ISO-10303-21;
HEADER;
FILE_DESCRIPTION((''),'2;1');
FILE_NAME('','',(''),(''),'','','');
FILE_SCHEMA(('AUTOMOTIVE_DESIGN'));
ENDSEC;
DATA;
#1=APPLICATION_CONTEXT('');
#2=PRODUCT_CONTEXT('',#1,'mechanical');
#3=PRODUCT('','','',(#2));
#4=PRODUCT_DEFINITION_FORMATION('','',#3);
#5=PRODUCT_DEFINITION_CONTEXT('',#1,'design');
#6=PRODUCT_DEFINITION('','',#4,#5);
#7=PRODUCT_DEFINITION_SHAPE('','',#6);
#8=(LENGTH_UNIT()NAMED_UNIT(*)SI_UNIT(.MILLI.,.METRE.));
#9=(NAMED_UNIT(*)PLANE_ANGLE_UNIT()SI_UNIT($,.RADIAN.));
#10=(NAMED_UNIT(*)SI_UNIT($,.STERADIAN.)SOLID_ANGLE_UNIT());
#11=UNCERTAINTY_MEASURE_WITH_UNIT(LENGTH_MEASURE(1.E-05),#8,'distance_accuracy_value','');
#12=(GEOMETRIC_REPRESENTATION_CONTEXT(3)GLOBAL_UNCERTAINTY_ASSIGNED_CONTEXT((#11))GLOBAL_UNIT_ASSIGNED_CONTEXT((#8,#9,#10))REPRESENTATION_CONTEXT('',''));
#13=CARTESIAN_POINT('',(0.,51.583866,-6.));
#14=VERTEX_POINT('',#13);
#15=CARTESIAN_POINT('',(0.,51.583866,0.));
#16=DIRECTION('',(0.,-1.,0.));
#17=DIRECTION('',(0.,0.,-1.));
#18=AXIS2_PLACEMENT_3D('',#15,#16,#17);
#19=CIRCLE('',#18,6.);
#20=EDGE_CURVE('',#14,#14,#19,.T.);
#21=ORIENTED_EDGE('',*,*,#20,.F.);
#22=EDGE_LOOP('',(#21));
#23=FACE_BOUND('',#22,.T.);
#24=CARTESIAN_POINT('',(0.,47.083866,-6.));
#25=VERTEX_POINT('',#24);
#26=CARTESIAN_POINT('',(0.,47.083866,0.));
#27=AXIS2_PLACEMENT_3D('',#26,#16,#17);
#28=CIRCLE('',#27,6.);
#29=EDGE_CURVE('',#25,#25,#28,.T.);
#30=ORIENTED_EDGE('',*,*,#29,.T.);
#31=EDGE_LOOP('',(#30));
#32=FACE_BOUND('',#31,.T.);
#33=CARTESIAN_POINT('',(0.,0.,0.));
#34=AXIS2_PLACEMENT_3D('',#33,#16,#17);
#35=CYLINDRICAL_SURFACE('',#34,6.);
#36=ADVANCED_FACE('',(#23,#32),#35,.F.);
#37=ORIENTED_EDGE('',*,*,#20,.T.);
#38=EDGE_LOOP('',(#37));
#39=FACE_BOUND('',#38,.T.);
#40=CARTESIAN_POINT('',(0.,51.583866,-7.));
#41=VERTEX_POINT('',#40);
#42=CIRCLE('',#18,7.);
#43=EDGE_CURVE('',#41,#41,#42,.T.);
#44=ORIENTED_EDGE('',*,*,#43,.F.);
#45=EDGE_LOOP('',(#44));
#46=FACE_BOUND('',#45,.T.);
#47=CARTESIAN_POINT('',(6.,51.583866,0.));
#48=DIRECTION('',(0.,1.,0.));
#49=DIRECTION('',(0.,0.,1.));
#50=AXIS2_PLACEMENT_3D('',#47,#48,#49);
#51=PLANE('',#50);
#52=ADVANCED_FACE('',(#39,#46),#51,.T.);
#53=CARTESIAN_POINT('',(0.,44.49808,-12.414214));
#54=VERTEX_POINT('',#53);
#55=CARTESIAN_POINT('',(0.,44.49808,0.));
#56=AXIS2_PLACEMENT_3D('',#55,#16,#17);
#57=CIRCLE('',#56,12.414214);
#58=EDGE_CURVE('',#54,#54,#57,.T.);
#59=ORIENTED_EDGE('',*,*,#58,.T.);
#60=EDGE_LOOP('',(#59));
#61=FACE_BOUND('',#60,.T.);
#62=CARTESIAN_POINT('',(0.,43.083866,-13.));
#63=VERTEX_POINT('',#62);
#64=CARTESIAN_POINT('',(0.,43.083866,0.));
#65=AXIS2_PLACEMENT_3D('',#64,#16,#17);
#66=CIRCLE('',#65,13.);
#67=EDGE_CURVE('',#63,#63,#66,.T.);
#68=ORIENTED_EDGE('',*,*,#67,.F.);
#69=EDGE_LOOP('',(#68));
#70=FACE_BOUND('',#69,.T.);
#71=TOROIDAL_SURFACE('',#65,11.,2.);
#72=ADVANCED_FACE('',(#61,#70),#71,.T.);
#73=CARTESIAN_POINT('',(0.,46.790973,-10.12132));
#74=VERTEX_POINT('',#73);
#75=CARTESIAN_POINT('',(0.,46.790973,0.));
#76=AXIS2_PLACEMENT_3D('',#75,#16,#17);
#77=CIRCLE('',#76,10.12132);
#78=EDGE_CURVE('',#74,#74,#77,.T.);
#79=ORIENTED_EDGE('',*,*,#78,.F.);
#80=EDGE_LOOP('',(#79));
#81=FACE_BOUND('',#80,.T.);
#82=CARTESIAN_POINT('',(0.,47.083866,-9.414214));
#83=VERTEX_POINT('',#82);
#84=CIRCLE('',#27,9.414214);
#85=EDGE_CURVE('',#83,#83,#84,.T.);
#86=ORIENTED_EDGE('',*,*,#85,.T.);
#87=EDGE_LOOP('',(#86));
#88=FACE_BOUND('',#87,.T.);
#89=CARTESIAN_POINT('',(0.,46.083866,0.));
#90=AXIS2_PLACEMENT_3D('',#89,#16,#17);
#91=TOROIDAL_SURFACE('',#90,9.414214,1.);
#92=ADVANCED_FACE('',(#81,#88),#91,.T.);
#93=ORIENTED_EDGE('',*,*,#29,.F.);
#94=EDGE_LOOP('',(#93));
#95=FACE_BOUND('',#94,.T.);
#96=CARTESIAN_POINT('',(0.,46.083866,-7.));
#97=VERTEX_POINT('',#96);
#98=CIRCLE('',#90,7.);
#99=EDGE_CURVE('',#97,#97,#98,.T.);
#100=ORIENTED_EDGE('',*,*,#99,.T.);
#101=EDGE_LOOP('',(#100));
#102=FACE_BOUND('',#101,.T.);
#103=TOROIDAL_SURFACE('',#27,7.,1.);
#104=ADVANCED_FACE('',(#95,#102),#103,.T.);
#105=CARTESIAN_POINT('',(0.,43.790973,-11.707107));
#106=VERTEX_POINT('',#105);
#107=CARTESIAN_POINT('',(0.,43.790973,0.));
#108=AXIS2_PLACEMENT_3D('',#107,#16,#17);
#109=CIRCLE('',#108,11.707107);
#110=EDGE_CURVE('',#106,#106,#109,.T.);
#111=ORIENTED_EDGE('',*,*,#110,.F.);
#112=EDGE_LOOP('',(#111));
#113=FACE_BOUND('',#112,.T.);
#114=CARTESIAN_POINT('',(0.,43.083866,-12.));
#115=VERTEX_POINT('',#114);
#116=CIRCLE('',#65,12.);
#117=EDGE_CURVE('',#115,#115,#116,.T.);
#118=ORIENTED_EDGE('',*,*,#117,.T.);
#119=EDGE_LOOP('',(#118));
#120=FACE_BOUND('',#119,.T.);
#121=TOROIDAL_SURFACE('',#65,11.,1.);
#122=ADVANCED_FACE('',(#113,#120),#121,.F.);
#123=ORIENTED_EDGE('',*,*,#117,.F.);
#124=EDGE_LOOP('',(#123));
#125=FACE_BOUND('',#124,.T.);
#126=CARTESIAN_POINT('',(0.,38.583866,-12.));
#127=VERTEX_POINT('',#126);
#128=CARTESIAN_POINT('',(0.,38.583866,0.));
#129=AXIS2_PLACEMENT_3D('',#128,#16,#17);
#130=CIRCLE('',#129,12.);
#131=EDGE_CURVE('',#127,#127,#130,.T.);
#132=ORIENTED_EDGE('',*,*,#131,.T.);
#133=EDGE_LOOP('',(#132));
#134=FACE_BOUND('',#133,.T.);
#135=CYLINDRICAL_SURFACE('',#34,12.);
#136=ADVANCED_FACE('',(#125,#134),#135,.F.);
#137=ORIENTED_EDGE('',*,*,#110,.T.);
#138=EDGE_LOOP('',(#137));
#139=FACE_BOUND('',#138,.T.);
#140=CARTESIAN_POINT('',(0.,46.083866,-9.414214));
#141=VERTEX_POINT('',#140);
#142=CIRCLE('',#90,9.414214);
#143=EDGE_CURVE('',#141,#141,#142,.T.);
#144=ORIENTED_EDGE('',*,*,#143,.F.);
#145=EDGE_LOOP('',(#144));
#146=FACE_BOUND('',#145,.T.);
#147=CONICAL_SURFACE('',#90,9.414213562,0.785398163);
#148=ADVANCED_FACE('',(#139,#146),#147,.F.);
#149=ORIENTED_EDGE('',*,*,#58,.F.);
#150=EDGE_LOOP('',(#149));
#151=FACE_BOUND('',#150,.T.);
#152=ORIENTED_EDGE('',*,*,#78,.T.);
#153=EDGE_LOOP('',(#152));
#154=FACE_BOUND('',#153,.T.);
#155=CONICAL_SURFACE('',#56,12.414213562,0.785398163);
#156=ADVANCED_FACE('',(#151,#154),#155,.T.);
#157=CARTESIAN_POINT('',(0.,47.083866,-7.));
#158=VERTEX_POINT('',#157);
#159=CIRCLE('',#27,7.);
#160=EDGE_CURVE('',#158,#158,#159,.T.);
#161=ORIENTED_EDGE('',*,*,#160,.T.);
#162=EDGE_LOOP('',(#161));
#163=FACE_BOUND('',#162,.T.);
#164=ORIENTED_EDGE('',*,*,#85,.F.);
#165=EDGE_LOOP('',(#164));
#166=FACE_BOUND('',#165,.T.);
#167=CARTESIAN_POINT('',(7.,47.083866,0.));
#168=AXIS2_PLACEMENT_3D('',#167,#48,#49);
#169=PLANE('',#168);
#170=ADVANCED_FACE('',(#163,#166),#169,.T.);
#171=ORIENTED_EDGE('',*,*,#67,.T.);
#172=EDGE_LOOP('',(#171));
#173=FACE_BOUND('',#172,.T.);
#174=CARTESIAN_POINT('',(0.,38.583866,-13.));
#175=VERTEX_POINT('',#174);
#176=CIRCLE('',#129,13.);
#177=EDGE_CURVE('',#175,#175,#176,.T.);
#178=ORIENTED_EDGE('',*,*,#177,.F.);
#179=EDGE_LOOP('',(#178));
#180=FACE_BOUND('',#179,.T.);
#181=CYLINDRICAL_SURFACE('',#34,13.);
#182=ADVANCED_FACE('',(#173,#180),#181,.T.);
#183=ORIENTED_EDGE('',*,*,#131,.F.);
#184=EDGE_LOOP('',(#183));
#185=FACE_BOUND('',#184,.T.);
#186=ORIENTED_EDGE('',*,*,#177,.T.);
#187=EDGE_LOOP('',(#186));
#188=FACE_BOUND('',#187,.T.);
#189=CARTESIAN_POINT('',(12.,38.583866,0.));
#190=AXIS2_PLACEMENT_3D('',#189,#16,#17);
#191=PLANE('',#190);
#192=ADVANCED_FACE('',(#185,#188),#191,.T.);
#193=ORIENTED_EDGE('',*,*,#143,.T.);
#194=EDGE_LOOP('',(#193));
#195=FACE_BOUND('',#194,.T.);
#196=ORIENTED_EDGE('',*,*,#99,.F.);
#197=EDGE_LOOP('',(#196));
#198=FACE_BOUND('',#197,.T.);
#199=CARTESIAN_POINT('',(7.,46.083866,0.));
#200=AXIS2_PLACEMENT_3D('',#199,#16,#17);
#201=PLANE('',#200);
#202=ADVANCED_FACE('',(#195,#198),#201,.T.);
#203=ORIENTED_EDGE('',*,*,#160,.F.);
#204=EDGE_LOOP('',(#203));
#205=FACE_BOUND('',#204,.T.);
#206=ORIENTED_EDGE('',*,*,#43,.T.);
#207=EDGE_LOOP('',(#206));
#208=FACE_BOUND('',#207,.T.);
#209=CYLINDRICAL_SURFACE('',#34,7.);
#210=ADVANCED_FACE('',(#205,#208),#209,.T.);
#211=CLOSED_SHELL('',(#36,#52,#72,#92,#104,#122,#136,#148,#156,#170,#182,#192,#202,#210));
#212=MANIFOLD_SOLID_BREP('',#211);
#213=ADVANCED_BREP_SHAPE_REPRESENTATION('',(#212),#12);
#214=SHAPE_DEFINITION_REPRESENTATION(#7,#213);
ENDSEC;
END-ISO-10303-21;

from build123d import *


with BuildPart() as part:
    # Esquisse1 → Révolution1 (revolve)
    with BuildSketch(Plane.XY, mode=Mode.PRIVATE) as r_volution1_sk:
        with BuildLine():
            Line((7, 51.583866339), (7, 47.083866339))
            Line((7, 47.083866339), (9.414213562, 47.083866339))
            ThreePointArc((9.414213562, 47.083866339), (9.796896995, 47.007745871), (10.121320344, 46.79097312))
            Line((10.121320344, 46.79097312), (12.414213562, 44.498079901))
            ThreePointArc((12.414213562, 44.498079901), (12.847759065, 43.849233203), (13, 43.083866339))
            Line((13, 43.083866339), (13, 38.583866339))
            Line((13, 38.583866339), (12, 38.583866339))
            Line((12, 38.583866339), (12, 43.083866339))
            ThreePointArc((12, 43.083866339), (11.923879533, 43.466549771), (11.707106781, 43.79097312))
            Line((11.707106781, 43.79097312), (9.414213562, 46.083866339))
            Line((9.414213562, 46.083866339), (7, 46.083866339))
            ThreePointArc((7, 46.083866339), (6.292893219, 46.376759557), (6, 47.083866339))
            Line((6, 47.083866339), (6, 51.583866339))
            Line((6, 51.583866339), (7, 51.583866339))
        make_face()
    revolve(r_volution1_sk.sketch.rotate(Axis((0, 0, 0), (0, 1, 0)), 90), axis=Axis((0, 0, 0), (0, 1, 0)))


solid = part.part
